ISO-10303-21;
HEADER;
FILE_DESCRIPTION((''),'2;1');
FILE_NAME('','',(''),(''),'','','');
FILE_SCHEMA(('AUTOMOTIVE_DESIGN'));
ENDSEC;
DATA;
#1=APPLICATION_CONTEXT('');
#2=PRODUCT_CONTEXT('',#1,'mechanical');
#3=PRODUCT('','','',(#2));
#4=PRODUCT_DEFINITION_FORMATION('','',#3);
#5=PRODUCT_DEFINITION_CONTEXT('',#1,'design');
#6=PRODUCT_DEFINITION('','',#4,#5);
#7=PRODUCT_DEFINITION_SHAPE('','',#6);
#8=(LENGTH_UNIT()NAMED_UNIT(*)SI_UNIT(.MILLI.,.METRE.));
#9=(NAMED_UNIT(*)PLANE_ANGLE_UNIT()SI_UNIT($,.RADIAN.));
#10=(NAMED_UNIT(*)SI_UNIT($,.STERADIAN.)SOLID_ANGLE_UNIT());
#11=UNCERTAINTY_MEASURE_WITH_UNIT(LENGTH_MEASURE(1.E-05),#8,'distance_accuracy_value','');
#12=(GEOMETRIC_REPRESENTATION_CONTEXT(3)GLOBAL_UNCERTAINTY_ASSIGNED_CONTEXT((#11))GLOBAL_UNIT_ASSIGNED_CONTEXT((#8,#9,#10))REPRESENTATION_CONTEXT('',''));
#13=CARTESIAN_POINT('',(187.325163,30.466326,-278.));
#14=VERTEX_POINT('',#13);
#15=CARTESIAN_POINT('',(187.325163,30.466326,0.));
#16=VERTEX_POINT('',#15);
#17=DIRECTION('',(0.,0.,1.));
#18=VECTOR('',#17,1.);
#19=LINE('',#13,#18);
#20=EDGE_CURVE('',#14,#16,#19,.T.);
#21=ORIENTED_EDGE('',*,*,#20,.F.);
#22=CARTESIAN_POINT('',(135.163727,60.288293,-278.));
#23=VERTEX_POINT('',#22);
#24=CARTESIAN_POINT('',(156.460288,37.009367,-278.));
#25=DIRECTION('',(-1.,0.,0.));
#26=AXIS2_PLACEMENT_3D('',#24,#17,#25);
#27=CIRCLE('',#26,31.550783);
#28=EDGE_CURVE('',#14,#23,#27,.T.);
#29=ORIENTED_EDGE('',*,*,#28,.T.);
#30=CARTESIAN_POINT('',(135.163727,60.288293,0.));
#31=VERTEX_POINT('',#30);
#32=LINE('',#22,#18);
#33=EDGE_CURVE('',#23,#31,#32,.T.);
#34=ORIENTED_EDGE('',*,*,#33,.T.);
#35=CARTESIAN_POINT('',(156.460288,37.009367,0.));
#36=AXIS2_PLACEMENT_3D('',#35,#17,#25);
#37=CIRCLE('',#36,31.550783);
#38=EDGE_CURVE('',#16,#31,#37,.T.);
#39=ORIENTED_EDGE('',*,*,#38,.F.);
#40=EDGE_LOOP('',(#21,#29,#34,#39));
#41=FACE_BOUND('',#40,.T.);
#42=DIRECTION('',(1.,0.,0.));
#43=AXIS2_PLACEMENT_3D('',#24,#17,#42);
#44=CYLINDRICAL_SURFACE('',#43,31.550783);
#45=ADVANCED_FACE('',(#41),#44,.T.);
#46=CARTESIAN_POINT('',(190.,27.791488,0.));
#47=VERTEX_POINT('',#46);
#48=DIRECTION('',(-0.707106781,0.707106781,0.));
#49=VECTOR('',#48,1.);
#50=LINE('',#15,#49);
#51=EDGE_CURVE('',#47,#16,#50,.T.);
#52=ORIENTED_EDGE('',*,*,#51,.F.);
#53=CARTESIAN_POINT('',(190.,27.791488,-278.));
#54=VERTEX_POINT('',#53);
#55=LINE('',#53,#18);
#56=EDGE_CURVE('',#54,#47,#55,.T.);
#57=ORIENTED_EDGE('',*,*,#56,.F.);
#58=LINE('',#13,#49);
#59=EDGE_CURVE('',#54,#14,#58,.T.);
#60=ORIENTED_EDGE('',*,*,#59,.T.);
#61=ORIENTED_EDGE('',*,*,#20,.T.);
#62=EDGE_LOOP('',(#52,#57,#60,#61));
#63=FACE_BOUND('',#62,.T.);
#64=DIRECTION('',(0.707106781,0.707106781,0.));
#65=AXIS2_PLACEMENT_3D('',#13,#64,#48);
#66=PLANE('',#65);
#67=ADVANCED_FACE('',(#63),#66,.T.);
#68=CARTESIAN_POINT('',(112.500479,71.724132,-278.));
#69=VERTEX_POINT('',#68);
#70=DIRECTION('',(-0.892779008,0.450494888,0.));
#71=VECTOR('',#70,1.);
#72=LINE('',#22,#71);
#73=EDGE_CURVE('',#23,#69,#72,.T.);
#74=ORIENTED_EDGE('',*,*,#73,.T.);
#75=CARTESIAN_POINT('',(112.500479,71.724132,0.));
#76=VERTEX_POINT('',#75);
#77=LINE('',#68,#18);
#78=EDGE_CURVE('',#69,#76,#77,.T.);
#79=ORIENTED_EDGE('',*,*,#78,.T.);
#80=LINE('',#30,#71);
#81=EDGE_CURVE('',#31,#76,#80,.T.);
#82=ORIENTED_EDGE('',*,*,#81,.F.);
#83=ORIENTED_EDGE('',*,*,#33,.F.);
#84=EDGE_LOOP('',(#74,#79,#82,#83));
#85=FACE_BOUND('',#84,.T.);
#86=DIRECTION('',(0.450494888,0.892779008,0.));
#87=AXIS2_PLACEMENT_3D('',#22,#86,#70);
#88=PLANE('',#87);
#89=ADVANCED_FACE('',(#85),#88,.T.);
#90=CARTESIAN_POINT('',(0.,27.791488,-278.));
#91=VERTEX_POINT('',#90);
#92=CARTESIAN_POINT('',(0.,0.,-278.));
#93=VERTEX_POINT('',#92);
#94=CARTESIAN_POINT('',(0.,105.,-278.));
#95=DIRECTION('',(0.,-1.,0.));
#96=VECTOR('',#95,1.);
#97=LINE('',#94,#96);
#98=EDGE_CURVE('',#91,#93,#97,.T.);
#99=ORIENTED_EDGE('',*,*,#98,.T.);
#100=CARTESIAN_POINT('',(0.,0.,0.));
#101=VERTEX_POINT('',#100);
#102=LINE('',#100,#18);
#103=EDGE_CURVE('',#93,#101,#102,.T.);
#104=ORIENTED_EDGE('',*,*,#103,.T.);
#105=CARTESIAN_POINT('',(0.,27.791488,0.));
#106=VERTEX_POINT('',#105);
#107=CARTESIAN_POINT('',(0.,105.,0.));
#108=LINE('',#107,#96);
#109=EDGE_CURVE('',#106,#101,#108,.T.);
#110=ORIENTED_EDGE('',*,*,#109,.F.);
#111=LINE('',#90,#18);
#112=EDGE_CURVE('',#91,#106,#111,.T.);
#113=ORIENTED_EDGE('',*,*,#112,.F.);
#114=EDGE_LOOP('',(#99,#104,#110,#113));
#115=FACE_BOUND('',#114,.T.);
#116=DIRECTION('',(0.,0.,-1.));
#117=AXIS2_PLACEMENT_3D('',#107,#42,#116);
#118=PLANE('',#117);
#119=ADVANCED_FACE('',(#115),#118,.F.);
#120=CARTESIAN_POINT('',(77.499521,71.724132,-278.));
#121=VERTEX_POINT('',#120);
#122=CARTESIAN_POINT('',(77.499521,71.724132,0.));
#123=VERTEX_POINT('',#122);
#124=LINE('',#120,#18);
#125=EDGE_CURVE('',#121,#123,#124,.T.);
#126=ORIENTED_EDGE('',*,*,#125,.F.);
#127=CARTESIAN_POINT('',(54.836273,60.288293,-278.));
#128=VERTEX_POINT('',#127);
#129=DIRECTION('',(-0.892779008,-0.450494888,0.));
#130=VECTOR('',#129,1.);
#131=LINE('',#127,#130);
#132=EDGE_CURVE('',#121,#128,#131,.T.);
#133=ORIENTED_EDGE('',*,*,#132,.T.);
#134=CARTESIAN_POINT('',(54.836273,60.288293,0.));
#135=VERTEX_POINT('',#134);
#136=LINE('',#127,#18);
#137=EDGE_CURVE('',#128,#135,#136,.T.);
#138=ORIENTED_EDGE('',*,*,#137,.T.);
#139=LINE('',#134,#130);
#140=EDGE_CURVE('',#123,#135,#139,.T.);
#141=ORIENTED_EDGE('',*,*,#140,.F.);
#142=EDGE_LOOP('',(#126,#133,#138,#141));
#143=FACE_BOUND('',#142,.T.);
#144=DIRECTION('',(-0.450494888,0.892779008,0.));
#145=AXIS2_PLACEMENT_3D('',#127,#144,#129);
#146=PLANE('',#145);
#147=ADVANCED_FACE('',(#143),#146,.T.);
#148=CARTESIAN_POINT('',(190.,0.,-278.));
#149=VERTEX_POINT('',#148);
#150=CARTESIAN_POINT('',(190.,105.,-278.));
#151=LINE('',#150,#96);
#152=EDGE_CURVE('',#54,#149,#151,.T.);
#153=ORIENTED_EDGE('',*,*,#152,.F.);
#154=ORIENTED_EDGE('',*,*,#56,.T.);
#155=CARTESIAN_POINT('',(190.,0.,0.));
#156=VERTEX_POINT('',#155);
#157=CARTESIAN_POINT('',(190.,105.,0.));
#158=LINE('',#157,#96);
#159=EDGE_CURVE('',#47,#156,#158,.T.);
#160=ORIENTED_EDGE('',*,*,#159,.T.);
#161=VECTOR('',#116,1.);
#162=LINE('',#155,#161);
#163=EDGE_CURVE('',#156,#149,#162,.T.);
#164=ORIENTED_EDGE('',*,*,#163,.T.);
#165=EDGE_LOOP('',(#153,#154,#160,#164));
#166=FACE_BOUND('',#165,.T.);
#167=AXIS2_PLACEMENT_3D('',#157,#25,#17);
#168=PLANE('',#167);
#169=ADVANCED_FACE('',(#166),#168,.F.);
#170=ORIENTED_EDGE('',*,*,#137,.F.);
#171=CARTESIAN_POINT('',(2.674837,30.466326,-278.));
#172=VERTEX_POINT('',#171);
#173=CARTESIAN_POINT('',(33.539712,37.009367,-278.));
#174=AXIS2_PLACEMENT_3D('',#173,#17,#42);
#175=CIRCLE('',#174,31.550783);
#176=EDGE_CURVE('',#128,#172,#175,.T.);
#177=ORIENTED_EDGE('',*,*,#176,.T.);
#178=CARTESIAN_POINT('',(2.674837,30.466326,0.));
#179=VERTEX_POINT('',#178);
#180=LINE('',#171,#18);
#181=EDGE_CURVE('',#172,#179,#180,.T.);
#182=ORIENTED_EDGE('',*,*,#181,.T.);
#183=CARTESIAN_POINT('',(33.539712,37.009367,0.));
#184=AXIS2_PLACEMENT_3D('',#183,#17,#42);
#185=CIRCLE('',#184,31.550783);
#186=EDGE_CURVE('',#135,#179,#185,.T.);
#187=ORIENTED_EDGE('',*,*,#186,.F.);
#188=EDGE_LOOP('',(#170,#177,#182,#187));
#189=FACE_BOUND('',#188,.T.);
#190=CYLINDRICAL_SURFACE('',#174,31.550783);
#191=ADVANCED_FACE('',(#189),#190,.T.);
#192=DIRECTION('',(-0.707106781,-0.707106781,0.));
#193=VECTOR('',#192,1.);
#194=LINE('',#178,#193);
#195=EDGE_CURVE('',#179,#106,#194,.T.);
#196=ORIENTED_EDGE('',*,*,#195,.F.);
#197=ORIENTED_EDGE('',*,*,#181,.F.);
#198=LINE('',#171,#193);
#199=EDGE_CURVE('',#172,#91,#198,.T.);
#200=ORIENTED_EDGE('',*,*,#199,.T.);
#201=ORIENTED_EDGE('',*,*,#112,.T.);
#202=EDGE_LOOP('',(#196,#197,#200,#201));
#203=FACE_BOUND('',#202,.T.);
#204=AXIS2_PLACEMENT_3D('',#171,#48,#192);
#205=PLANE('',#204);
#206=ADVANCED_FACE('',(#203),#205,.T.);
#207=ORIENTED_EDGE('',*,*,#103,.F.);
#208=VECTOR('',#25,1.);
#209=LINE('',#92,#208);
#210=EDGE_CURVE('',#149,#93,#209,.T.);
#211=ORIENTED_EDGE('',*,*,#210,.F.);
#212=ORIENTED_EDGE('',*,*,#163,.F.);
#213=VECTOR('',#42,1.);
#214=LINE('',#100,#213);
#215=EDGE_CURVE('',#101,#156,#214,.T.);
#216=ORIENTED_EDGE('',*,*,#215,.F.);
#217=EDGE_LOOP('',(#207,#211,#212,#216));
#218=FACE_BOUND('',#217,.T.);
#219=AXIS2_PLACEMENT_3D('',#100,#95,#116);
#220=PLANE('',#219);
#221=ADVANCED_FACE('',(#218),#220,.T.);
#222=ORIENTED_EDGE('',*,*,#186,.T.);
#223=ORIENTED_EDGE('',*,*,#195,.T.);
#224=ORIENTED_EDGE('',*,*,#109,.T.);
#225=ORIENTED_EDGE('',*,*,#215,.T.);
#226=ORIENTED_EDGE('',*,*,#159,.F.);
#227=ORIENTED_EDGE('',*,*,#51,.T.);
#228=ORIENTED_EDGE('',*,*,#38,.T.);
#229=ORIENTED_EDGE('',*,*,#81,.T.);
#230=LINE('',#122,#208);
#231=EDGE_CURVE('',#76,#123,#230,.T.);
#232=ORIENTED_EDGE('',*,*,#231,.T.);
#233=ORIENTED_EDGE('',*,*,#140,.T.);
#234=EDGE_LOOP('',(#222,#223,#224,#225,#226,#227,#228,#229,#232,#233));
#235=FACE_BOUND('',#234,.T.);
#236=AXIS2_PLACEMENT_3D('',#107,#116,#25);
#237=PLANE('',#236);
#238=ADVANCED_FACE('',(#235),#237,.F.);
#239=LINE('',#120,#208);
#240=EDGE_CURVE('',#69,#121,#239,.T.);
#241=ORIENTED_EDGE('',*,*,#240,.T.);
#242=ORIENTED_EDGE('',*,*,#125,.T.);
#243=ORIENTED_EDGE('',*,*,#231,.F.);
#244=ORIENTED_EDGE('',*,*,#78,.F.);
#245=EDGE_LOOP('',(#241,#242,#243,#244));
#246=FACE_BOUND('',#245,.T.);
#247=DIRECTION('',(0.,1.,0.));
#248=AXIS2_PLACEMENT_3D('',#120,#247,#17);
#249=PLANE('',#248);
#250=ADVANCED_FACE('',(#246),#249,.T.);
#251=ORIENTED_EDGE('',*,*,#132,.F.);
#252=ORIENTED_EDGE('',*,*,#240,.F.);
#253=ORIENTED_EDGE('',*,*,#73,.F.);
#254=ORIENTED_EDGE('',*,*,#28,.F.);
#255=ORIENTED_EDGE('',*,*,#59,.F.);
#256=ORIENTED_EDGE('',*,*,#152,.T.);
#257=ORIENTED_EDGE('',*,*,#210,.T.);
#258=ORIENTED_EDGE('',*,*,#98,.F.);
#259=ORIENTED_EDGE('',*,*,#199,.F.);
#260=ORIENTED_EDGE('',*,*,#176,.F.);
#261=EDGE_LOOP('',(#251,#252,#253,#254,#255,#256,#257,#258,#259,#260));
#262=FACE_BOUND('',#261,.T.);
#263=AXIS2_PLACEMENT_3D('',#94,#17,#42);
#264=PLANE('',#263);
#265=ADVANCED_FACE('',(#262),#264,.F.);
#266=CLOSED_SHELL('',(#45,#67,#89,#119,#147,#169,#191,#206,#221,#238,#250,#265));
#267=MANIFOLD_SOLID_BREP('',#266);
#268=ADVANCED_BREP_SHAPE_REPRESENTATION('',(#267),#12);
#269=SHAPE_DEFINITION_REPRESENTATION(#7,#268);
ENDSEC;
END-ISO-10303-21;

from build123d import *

# Parameters (mm, degrees)
SKETCH1_W           = 190
SKETCH1_H           = 278
BOSS_EXTRUDE1_DEPTH = 105
SKETCH3_OUTSIDE_W   = 262.544
SKETCH3_OUTSIDE_H   = 177.544
CUT_EXTRUDE1_DEPTH  = 353.71660012


with BuildPart() as part:
    # Sketch1 → Boss-Extrude1 (new body)
    with BuildSketch(Plane(origin=(0, 0, 0), x_dir=(1, 0, 0), z_dir=(0, 1, 0))):
        with Locations((95, 139)):
            Rectangle(SKETCH1_W, SKETCH1_H)
    extrude(amount=BOSS_EXTRUDE1_DEPTH)

    # Sketch3 outside → Cut-Extrude1 (cut, through all)
    with BuildSketch(Plane.XY):
        with Locations((95, 52.5)):
            Rectangle(SKETCH3_OUTSIDE_W, SKETCH3_OUTSIDE_H)
        with BuildLine():
            Line((54.836273007, 60.288293162), (77.499520746, 71.724132439))
            Line((77.499520746, 71.724132439), (112.500479254, 71.724132439))
            Line((112.500479254, 71.724132439), (135.163726993, 60.288293162))
            ThreePointArc((135.163726993, 60.288293162), (172.119968318, 64.39962656), (187.325162615, 30.466325783))
            Line((187.325162615, 30.466325783), (190, 27.791488398))
            Line((190, 27.791488398), (190, 0))
            Line((190, 0), (0, 0))
            Line((0, 0), (0, 27.791488398))
            Line((0, 27.791488398), (2.674837385, 30.466325783))
            ThreePointArc((2.674837385, 30.466325783), (17.880031682, 64.39962656), (54.836273007, 60.288293162))
        make_face(mode=Mode.SUBTRACT)
    extrude(amount=-CUT_EXTRUDE1_DEPTH, mode=Mode.SUBTRACT)


solid = part.part
